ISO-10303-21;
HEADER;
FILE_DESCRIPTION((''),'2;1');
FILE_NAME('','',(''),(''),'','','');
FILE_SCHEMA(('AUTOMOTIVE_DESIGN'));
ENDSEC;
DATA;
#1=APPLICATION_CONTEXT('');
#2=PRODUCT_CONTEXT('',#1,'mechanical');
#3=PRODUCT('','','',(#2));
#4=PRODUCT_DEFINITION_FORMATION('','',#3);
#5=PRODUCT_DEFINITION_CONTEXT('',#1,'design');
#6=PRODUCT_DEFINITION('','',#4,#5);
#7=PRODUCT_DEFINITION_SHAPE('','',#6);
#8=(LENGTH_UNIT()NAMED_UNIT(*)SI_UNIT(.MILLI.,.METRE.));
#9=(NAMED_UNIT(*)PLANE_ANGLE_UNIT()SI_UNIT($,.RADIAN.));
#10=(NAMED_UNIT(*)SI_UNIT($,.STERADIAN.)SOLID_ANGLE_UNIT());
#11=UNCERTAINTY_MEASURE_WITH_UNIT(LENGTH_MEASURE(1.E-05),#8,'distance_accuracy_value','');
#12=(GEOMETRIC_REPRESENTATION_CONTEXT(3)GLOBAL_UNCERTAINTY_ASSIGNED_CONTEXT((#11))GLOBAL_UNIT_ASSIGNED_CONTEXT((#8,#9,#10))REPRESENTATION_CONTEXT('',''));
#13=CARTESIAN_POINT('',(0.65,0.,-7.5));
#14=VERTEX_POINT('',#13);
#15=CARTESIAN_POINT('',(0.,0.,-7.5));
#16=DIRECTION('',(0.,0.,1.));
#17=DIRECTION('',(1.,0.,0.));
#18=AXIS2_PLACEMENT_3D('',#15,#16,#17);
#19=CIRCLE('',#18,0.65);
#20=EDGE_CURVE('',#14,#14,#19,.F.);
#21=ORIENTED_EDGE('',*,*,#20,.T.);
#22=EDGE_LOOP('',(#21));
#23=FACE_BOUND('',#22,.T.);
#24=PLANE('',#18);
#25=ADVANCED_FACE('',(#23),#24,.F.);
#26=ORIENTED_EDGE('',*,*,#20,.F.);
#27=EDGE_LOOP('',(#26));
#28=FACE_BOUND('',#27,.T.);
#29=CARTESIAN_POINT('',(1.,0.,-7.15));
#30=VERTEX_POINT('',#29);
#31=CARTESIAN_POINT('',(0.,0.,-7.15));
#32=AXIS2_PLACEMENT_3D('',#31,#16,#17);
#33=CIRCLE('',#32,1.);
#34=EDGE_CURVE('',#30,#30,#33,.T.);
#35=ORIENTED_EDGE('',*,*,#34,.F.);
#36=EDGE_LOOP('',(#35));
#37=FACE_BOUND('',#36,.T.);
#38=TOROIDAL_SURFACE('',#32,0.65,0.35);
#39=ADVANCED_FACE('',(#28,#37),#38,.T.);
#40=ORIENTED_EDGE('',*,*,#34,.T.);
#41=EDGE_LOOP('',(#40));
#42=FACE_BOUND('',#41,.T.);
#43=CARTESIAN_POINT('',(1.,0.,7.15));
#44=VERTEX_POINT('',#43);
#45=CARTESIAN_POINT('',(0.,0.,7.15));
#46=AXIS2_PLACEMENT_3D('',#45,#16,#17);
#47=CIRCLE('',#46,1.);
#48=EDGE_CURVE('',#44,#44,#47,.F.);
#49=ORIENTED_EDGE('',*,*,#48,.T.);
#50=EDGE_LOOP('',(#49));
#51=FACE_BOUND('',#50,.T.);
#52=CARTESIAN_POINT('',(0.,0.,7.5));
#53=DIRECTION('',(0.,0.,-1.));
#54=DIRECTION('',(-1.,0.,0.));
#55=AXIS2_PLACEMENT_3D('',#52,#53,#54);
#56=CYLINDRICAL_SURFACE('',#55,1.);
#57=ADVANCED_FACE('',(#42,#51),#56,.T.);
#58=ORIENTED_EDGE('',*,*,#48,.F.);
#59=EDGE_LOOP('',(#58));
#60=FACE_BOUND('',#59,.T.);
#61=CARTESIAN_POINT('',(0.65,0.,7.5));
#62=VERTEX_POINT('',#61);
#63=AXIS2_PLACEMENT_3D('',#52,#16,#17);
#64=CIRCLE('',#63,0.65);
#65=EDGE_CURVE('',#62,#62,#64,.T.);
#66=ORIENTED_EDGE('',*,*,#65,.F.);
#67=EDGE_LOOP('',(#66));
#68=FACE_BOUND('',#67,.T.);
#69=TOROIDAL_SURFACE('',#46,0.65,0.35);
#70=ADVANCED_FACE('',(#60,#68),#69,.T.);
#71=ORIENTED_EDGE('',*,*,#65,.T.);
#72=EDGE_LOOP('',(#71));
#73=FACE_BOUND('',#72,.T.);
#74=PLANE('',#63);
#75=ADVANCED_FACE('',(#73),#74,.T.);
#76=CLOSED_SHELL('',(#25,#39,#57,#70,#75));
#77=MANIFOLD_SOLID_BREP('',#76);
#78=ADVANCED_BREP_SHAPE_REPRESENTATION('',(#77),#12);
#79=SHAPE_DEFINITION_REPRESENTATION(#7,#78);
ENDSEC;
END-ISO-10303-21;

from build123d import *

# Parameters (mm, degrees)
SKETCH1_R           = 1
BOSS_EXTRUDE1_DEPTH = 7.5
FILLET1_R           = 0.35


with BuildPart() as part:
    # Sketch1 → Boss-Extrude1 (new body, symmetric)
    with BuildSketch(Plane.XY):
        Circle(SKETCH1_R)
    extrude(amount=BOSS_EXTRUDE1_DEPTH, both=True)

    # Fillet1
    fillet1_edges = [part.edges().sort_by_distance(p)[0] for p in [
        (-1, 0, -7.5),
        (-1, 0, 7.5),
    ]]
    fillet(fillet1_edges, radius=FILLET1_R)


solid = part.part
